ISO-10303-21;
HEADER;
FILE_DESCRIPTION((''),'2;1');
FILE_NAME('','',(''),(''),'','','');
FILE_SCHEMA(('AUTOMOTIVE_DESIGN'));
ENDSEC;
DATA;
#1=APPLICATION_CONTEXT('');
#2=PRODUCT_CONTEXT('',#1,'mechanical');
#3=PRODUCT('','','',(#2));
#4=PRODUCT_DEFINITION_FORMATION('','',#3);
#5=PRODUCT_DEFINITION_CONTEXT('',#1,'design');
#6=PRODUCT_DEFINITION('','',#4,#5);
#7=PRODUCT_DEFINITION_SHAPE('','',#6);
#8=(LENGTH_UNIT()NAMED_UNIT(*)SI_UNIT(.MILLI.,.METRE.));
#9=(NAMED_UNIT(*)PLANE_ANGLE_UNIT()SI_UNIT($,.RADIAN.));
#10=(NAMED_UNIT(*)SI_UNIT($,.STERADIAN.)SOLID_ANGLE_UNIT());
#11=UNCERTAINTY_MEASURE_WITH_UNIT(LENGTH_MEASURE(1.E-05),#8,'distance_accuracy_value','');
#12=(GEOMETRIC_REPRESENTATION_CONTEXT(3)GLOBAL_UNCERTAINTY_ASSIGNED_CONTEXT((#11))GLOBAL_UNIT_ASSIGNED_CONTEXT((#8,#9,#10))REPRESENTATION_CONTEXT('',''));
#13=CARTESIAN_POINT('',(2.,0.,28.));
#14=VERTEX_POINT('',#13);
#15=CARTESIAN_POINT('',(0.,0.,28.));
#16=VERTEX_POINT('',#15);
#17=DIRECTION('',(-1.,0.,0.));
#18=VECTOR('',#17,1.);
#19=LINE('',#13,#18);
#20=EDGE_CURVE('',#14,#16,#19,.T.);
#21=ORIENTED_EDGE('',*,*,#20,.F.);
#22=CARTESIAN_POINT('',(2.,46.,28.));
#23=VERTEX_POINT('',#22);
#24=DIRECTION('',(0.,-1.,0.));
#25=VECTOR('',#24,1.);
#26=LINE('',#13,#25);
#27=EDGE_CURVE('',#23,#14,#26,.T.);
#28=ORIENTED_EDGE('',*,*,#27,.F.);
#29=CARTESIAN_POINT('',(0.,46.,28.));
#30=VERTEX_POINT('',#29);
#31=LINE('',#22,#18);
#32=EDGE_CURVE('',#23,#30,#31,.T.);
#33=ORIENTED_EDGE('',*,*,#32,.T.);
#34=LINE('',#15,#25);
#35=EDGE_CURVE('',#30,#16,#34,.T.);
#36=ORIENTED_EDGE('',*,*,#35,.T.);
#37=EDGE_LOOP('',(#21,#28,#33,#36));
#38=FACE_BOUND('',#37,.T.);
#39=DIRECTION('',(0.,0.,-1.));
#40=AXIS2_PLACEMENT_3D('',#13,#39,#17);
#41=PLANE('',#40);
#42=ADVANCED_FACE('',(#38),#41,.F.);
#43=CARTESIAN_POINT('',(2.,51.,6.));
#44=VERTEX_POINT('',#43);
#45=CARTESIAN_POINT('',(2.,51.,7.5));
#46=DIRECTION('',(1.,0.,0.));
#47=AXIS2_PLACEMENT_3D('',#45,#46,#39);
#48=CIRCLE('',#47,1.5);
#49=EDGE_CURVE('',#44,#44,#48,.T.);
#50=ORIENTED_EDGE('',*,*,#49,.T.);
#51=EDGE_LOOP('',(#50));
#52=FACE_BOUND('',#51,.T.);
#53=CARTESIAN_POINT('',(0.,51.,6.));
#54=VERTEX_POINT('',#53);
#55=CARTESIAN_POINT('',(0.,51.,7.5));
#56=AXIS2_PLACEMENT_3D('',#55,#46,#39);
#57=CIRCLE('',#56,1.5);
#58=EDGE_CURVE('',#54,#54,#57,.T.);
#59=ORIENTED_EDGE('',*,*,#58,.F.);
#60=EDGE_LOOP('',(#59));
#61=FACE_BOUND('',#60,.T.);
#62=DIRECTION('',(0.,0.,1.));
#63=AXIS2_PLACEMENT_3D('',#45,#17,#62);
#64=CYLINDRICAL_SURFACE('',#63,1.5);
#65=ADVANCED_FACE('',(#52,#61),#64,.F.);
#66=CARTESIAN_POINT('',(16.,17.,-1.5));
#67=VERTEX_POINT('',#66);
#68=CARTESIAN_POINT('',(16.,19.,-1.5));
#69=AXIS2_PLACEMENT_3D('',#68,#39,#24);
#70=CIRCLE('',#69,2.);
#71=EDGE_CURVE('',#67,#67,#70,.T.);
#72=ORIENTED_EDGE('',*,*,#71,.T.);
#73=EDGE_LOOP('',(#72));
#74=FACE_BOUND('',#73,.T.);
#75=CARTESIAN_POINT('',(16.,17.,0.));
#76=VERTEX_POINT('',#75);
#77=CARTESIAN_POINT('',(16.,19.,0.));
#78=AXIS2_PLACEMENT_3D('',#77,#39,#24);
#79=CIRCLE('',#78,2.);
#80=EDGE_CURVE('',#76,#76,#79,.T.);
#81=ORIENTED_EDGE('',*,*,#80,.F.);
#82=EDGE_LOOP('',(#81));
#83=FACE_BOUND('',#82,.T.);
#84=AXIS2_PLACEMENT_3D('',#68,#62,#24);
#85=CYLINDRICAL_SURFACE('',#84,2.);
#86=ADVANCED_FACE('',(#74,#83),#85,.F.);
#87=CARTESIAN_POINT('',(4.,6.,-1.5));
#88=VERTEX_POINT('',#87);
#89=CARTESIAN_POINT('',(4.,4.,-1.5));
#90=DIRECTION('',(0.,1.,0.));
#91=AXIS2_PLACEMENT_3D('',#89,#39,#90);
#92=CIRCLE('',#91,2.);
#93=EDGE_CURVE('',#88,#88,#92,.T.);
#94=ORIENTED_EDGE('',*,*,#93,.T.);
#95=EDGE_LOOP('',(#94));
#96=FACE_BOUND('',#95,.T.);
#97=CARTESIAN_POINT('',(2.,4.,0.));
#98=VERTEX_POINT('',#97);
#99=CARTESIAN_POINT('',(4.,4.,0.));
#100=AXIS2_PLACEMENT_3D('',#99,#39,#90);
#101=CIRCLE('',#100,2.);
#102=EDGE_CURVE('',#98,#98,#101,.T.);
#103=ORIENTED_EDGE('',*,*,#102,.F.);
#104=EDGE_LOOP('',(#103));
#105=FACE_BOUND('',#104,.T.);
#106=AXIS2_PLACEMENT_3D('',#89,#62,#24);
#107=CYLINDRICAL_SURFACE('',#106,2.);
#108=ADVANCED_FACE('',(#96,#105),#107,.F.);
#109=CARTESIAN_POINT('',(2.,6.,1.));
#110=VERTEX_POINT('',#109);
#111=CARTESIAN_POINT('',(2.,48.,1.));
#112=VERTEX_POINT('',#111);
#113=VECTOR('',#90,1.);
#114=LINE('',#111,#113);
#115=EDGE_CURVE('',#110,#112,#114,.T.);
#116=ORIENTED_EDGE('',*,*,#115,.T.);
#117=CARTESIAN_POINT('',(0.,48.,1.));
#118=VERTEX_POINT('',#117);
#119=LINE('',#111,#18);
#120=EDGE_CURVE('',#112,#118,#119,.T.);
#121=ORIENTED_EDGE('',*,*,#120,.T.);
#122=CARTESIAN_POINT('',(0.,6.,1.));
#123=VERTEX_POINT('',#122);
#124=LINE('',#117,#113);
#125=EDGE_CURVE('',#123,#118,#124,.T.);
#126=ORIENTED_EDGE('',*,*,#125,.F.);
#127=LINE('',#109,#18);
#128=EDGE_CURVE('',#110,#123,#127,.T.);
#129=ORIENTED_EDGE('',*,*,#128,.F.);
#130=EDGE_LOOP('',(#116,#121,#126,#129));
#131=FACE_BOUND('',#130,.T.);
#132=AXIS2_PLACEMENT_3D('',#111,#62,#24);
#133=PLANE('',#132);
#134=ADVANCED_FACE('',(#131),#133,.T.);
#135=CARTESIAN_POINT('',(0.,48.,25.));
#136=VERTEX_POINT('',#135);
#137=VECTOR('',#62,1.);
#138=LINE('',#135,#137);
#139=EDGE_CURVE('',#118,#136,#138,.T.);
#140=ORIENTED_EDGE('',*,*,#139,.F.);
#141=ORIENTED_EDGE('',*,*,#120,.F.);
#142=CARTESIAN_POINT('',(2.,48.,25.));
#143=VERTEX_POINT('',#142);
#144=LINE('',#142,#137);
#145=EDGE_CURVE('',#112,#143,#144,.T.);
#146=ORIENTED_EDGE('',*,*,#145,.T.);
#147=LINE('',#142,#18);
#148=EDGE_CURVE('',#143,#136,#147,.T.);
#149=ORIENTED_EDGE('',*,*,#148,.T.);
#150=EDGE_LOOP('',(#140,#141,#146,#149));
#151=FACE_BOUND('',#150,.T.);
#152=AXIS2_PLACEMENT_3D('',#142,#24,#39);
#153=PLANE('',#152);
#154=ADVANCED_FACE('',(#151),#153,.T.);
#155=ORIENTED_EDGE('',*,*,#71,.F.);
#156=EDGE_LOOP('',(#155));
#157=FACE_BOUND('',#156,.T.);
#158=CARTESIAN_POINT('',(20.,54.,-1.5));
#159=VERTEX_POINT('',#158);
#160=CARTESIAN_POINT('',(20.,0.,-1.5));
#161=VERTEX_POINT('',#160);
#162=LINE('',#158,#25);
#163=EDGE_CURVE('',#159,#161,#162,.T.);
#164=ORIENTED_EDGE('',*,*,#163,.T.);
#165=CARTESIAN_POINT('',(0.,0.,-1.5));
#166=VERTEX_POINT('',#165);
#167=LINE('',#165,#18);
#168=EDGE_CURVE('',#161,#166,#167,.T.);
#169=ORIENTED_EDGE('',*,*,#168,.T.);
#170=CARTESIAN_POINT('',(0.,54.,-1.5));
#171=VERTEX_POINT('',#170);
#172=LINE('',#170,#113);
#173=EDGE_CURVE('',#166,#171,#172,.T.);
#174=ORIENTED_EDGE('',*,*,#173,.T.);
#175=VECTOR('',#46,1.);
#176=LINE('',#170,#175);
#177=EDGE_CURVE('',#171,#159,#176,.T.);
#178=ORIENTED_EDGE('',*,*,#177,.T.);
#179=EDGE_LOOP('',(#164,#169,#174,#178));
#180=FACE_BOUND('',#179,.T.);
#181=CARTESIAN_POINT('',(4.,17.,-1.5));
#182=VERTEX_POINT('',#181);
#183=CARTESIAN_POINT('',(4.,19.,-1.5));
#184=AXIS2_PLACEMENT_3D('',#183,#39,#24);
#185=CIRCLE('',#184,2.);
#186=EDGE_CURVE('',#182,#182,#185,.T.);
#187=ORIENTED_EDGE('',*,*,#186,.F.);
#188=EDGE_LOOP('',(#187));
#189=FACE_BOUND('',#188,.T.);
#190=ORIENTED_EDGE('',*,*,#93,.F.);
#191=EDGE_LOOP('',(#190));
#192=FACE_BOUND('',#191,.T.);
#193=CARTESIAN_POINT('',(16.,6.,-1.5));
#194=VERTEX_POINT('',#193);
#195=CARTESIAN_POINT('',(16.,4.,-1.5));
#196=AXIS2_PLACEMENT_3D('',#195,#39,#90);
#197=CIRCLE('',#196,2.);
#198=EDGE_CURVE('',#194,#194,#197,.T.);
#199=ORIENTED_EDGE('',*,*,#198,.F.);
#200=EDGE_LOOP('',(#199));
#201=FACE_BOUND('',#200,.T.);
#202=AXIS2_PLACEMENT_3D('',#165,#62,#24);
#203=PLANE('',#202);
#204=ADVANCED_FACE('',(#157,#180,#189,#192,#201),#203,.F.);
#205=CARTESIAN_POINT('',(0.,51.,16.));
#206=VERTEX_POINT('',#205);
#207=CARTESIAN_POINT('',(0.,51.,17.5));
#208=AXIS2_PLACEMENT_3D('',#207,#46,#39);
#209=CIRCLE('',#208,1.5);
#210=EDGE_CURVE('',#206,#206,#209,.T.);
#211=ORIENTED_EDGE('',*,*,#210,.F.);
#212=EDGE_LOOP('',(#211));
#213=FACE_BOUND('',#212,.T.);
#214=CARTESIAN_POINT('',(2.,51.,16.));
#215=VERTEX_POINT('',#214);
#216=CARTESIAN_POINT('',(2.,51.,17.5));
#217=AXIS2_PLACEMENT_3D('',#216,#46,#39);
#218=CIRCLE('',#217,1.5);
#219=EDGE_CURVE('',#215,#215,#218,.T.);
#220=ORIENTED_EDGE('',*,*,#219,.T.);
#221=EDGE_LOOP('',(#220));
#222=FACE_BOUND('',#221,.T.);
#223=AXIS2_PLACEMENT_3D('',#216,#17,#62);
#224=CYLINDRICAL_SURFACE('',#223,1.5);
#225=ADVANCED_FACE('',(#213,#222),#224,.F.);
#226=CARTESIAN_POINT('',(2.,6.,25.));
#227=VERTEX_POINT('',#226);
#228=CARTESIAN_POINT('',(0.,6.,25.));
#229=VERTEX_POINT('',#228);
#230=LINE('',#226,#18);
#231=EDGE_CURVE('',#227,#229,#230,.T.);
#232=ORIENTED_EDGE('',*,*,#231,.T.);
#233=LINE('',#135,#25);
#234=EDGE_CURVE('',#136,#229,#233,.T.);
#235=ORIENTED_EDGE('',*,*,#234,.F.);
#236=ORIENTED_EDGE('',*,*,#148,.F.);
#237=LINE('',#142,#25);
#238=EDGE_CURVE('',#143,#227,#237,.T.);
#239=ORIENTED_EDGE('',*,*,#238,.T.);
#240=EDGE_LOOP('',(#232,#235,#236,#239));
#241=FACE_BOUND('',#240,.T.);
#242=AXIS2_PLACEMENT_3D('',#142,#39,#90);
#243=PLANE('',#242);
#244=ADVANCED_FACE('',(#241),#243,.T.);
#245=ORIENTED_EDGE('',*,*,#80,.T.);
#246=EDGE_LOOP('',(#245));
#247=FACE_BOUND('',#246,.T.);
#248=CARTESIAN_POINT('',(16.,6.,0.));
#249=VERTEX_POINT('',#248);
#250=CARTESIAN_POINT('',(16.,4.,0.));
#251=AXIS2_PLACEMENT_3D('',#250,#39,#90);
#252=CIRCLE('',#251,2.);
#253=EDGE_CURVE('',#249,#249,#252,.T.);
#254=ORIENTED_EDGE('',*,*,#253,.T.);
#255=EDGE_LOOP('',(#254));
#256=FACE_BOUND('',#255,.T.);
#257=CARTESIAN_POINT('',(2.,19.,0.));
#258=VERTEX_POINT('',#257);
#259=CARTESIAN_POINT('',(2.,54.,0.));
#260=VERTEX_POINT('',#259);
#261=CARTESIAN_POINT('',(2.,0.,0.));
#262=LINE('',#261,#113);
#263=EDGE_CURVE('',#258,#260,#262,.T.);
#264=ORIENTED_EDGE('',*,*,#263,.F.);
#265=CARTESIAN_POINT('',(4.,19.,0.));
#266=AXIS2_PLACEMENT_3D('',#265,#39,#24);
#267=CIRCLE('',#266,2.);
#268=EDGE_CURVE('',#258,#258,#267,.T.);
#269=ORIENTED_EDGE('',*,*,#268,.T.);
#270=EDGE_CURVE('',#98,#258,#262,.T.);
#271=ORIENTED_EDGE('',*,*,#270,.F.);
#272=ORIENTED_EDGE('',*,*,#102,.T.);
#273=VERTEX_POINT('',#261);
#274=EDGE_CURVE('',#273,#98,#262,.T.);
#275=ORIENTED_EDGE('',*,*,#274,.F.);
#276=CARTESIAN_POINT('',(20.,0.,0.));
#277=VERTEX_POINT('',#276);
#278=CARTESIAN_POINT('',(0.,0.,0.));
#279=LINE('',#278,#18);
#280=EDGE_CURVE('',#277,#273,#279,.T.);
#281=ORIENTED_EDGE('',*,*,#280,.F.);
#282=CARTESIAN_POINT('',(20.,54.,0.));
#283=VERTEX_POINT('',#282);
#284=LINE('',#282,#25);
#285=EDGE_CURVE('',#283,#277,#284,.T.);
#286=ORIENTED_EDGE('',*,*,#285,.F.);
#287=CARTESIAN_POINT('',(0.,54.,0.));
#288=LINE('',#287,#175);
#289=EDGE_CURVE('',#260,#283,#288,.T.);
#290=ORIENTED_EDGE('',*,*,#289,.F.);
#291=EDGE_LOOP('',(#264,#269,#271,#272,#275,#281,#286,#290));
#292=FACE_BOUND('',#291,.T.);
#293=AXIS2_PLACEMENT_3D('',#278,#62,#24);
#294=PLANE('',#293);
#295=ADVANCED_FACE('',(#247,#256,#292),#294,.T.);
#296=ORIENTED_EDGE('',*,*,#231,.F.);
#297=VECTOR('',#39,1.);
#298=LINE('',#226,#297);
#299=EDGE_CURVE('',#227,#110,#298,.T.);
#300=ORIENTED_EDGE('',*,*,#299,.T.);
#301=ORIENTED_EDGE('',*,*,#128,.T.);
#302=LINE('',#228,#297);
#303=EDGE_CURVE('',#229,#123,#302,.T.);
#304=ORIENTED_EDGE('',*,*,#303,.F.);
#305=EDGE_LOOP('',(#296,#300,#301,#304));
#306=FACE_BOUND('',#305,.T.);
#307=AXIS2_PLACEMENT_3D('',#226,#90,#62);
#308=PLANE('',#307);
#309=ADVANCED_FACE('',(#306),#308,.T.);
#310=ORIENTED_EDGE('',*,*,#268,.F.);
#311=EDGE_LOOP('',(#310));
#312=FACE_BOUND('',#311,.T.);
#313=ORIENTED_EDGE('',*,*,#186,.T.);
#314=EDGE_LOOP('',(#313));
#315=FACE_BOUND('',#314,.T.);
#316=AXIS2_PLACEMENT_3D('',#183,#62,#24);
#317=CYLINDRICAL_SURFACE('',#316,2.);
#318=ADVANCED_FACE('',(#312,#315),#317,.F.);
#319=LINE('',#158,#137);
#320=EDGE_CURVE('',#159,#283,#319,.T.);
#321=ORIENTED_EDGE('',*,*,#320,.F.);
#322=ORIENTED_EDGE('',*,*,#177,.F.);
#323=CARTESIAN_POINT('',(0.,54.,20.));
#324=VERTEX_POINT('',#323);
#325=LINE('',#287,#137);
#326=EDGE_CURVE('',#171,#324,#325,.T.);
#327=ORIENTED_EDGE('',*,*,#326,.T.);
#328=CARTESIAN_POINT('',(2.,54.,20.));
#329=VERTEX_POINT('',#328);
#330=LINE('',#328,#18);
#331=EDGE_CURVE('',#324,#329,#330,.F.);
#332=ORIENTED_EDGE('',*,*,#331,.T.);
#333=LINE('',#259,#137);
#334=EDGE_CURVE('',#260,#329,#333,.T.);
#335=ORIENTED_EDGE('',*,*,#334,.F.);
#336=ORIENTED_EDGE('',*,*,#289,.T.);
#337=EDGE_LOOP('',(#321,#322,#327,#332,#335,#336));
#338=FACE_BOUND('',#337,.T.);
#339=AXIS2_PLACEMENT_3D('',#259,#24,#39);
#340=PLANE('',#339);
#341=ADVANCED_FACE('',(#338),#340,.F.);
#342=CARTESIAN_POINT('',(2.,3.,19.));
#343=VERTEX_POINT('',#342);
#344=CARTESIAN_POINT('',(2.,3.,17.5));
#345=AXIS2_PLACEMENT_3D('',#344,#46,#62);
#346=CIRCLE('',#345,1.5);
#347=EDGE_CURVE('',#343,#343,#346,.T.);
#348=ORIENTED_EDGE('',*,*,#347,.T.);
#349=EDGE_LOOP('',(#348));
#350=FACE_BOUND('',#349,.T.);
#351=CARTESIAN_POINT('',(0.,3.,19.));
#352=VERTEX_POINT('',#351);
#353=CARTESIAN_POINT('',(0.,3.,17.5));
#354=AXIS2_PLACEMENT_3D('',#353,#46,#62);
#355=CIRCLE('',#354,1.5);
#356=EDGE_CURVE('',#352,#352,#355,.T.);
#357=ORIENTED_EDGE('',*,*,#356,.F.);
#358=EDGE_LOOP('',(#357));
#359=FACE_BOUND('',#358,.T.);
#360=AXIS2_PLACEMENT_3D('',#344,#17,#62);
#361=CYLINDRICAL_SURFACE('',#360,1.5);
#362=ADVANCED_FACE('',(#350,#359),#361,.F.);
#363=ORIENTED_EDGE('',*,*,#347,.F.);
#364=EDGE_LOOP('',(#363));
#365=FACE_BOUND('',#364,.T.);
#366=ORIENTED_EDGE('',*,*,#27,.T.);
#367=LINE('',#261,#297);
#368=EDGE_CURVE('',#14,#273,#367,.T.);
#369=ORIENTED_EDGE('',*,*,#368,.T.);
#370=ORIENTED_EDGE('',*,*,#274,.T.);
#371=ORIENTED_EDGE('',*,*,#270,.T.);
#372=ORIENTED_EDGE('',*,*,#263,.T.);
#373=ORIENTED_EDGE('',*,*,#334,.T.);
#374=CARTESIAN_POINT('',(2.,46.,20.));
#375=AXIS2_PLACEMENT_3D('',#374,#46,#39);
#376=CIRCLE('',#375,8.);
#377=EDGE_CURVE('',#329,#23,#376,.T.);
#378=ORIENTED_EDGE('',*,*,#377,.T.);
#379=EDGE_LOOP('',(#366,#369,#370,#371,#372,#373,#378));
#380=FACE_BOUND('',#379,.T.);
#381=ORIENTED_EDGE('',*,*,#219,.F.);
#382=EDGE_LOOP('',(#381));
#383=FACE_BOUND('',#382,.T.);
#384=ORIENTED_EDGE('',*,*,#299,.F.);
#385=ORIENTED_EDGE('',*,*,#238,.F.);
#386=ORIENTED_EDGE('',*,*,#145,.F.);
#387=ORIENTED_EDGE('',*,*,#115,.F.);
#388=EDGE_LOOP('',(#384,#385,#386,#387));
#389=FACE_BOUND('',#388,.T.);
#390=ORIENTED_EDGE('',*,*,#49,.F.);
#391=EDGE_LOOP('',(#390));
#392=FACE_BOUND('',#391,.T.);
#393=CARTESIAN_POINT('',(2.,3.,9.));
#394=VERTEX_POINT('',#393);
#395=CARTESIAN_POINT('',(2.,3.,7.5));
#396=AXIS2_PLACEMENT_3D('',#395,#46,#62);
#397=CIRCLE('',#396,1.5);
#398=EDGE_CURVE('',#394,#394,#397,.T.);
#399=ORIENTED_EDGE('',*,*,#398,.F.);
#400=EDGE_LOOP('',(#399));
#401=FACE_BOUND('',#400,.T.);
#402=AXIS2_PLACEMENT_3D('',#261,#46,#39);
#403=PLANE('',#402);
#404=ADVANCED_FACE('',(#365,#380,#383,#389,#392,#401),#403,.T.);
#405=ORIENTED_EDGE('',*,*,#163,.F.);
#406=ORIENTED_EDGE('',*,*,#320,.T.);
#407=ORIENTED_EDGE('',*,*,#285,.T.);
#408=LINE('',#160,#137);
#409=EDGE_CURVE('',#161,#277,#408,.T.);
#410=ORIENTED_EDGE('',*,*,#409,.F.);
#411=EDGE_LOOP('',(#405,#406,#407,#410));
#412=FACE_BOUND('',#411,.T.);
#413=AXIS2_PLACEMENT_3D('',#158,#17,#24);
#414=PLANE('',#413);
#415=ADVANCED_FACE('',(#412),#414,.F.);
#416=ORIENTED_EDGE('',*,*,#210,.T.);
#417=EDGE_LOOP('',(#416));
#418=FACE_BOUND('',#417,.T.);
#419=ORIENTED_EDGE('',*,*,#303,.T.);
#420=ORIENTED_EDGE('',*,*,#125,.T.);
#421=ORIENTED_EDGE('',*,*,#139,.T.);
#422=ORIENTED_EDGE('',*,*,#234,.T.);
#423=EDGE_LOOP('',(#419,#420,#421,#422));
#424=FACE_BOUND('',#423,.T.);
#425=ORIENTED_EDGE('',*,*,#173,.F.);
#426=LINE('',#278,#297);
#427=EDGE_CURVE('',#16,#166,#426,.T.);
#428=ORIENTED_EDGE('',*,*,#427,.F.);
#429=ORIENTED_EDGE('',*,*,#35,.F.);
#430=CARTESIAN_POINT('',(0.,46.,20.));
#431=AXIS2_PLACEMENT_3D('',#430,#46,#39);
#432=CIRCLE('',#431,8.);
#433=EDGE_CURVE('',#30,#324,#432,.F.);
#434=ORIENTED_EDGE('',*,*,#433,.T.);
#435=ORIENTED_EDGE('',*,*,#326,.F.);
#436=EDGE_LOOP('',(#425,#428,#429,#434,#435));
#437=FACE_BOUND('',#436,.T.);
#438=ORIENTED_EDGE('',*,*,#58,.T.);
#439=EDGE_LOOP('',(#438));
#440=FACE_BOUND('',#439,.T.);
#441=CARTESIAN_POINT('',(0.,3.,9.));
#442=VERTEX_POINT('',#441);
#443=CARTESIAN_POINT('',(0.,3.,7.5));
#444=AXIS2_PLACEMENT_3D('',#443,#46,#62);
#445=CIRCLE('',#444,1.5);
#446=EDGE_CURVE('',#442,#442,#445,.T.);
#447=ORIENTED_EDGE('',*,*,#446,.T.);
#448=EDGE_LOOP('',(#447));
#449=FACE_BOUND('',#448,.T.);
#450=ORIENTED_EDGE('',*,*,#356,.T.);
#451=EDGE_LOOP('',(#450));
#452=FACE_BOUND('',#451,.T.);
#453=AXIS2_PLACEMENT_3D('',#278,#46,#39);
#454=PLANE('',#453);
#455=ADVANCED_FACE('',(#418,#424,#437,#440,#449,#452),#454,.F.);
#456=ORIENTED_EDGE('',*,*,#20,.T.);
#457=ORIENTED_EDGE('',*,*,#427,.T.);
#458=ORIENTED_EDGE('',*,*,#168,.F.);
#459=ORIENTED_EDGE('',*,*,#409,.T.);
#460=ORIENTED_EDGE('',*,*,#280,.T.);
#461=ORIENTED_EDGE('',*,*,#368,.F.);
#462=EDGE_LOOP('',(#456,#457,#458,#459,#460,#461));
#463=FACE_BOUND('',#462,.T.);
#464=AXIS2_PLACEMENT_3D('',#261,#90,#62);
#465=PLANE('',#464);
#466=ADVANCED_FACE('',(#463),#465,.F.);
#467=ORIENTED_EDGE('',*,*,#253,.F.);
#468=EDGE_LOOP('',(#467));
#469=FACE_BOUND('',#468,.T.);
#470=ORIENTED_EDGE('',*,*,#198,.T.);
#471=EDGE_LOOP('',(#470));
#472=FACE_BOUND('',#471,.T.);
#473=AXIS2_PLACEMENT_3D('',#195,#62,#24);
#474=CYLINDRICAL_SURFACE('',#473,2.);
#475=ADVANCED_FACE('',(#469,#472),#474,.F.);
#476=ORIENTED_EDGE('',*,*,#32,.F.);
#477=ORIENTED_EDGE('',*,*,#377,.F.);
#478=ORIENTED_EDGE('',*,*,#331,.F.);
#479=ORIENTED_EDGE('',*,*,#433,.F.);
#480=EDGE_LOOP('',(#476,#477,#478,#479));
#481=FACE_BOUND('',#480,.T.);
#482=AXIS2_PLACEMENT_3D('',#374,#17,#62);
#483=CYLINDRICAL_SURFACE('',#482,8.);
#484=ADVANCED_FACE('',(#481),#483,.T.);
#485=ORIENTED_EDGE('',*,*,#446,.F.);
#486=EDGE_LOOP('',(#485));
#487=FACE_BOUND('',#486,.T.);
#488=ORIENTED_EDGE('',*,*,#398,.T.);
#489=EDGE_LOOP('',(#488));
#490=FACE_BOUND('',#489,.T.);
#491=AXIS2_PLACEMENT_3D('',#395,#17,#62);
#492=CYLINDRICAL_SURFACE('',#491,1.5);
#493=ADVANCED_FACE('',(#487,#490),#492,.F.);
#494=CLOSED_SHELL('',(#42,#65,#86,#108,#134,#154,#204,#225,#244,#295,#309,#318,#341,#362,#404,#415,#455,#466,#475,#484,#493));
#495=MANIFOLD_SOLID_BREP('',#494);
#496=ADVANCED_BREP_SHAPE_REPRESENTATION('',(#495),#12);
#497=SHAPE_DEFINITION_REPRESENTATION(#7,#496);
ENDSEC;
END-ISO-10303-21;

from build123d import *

# Parameters (mm, degrees)
SKETCH_1_W      = 28
SKETCH_1_H      = 54
SKETCH_1_R      = 1.5
SKETCH_1_W_2    = 24
SKETCH_1_H_2    = 42
EXTRUDE_1_DEPTH = 2
SKETCH_2_W      = 20
SKETCH_2_H      = 54
SKETCH_2_R      = 2
EXTRUDE_2_DEPTH = 1.5
FILLET_1_R      = 8


with BuildPart() as part:
    # 草图1 → 凸台-拉伸1 (new body)
    with BuildSketch(Plane(origin=(0, 0, 0), x_dir=(0, 0, -1), z_dir=(1, 0, 0))):
        with Locations((-14, 27)):
            Rectangle(SKETCH_1_W, SKETCH_1_H)
        with Locations((-7.5, 51)):
            Circle(SKETCH_1_R, mode=Mode.SUBTRACT)
        with Locations((-17.5, 51)):
            Circle(SKETCH_1_R, mode=Mode.SUBTRACT)
        with Locations(Location((-7.5, 3, 0), (0, 0, 180))):
            Circle(SKETCH_1_R, mode=Mode.SUBTRACT)
        with Locations(Location((-17.5, 3, 0), (0, 0, 180))):
            Circle(SKETCH_1_R, mode=Mode.SUBTRACT)
        with Locations((-13, 27)):
            Rectangle(SKETCH_1_W_2, SKETCH_1_H_2, mode=Mode.SUBTRACT)
    extrude(amount=EXTRUDE_1_DEPTH)

    # 草图2 → 凸台-拉伸2 (add)
    with BuildSketch(Plane(origin=(0, 0, 0), x_dir=(-1, 0, 0), z_dir=(0, 0, -1))):
        with Locations((-10, 27)):
            Rectangle(SKETCH_2_W, SKETCH_2_H)
        with Locations(Location((-16, 4, 0), (0, 0, 90))):
            Circle(SKETCH_2_R, mode=Mode.SUBTRACT)
        with Locations((-4, 4)):
            Circle(SKETCH_2_R, mode=Mode.SUBTRACT)
        with Locations(Location((-4, 19, 0), (0, 0, 270))):
            Circle(SKETCH_2_R, mode=Mode.SUBTRACT)
        with Locations(Location((-16, 19, 0), (0, 0, 270))):
            Circle(SKETCH_2_R, mode=Mode.SUBTRACT)
    extrude(amount=EXTRUDE_2_DEPTH)

    # 圆角1
    fillet_1_edges = [part.edges().sort_by_distance(p)[0] for p in [
        (1, 54, 28),
    ]]
    fillet(fillet_1_edges, radius=FILLET_1_R)


solid = part.part
